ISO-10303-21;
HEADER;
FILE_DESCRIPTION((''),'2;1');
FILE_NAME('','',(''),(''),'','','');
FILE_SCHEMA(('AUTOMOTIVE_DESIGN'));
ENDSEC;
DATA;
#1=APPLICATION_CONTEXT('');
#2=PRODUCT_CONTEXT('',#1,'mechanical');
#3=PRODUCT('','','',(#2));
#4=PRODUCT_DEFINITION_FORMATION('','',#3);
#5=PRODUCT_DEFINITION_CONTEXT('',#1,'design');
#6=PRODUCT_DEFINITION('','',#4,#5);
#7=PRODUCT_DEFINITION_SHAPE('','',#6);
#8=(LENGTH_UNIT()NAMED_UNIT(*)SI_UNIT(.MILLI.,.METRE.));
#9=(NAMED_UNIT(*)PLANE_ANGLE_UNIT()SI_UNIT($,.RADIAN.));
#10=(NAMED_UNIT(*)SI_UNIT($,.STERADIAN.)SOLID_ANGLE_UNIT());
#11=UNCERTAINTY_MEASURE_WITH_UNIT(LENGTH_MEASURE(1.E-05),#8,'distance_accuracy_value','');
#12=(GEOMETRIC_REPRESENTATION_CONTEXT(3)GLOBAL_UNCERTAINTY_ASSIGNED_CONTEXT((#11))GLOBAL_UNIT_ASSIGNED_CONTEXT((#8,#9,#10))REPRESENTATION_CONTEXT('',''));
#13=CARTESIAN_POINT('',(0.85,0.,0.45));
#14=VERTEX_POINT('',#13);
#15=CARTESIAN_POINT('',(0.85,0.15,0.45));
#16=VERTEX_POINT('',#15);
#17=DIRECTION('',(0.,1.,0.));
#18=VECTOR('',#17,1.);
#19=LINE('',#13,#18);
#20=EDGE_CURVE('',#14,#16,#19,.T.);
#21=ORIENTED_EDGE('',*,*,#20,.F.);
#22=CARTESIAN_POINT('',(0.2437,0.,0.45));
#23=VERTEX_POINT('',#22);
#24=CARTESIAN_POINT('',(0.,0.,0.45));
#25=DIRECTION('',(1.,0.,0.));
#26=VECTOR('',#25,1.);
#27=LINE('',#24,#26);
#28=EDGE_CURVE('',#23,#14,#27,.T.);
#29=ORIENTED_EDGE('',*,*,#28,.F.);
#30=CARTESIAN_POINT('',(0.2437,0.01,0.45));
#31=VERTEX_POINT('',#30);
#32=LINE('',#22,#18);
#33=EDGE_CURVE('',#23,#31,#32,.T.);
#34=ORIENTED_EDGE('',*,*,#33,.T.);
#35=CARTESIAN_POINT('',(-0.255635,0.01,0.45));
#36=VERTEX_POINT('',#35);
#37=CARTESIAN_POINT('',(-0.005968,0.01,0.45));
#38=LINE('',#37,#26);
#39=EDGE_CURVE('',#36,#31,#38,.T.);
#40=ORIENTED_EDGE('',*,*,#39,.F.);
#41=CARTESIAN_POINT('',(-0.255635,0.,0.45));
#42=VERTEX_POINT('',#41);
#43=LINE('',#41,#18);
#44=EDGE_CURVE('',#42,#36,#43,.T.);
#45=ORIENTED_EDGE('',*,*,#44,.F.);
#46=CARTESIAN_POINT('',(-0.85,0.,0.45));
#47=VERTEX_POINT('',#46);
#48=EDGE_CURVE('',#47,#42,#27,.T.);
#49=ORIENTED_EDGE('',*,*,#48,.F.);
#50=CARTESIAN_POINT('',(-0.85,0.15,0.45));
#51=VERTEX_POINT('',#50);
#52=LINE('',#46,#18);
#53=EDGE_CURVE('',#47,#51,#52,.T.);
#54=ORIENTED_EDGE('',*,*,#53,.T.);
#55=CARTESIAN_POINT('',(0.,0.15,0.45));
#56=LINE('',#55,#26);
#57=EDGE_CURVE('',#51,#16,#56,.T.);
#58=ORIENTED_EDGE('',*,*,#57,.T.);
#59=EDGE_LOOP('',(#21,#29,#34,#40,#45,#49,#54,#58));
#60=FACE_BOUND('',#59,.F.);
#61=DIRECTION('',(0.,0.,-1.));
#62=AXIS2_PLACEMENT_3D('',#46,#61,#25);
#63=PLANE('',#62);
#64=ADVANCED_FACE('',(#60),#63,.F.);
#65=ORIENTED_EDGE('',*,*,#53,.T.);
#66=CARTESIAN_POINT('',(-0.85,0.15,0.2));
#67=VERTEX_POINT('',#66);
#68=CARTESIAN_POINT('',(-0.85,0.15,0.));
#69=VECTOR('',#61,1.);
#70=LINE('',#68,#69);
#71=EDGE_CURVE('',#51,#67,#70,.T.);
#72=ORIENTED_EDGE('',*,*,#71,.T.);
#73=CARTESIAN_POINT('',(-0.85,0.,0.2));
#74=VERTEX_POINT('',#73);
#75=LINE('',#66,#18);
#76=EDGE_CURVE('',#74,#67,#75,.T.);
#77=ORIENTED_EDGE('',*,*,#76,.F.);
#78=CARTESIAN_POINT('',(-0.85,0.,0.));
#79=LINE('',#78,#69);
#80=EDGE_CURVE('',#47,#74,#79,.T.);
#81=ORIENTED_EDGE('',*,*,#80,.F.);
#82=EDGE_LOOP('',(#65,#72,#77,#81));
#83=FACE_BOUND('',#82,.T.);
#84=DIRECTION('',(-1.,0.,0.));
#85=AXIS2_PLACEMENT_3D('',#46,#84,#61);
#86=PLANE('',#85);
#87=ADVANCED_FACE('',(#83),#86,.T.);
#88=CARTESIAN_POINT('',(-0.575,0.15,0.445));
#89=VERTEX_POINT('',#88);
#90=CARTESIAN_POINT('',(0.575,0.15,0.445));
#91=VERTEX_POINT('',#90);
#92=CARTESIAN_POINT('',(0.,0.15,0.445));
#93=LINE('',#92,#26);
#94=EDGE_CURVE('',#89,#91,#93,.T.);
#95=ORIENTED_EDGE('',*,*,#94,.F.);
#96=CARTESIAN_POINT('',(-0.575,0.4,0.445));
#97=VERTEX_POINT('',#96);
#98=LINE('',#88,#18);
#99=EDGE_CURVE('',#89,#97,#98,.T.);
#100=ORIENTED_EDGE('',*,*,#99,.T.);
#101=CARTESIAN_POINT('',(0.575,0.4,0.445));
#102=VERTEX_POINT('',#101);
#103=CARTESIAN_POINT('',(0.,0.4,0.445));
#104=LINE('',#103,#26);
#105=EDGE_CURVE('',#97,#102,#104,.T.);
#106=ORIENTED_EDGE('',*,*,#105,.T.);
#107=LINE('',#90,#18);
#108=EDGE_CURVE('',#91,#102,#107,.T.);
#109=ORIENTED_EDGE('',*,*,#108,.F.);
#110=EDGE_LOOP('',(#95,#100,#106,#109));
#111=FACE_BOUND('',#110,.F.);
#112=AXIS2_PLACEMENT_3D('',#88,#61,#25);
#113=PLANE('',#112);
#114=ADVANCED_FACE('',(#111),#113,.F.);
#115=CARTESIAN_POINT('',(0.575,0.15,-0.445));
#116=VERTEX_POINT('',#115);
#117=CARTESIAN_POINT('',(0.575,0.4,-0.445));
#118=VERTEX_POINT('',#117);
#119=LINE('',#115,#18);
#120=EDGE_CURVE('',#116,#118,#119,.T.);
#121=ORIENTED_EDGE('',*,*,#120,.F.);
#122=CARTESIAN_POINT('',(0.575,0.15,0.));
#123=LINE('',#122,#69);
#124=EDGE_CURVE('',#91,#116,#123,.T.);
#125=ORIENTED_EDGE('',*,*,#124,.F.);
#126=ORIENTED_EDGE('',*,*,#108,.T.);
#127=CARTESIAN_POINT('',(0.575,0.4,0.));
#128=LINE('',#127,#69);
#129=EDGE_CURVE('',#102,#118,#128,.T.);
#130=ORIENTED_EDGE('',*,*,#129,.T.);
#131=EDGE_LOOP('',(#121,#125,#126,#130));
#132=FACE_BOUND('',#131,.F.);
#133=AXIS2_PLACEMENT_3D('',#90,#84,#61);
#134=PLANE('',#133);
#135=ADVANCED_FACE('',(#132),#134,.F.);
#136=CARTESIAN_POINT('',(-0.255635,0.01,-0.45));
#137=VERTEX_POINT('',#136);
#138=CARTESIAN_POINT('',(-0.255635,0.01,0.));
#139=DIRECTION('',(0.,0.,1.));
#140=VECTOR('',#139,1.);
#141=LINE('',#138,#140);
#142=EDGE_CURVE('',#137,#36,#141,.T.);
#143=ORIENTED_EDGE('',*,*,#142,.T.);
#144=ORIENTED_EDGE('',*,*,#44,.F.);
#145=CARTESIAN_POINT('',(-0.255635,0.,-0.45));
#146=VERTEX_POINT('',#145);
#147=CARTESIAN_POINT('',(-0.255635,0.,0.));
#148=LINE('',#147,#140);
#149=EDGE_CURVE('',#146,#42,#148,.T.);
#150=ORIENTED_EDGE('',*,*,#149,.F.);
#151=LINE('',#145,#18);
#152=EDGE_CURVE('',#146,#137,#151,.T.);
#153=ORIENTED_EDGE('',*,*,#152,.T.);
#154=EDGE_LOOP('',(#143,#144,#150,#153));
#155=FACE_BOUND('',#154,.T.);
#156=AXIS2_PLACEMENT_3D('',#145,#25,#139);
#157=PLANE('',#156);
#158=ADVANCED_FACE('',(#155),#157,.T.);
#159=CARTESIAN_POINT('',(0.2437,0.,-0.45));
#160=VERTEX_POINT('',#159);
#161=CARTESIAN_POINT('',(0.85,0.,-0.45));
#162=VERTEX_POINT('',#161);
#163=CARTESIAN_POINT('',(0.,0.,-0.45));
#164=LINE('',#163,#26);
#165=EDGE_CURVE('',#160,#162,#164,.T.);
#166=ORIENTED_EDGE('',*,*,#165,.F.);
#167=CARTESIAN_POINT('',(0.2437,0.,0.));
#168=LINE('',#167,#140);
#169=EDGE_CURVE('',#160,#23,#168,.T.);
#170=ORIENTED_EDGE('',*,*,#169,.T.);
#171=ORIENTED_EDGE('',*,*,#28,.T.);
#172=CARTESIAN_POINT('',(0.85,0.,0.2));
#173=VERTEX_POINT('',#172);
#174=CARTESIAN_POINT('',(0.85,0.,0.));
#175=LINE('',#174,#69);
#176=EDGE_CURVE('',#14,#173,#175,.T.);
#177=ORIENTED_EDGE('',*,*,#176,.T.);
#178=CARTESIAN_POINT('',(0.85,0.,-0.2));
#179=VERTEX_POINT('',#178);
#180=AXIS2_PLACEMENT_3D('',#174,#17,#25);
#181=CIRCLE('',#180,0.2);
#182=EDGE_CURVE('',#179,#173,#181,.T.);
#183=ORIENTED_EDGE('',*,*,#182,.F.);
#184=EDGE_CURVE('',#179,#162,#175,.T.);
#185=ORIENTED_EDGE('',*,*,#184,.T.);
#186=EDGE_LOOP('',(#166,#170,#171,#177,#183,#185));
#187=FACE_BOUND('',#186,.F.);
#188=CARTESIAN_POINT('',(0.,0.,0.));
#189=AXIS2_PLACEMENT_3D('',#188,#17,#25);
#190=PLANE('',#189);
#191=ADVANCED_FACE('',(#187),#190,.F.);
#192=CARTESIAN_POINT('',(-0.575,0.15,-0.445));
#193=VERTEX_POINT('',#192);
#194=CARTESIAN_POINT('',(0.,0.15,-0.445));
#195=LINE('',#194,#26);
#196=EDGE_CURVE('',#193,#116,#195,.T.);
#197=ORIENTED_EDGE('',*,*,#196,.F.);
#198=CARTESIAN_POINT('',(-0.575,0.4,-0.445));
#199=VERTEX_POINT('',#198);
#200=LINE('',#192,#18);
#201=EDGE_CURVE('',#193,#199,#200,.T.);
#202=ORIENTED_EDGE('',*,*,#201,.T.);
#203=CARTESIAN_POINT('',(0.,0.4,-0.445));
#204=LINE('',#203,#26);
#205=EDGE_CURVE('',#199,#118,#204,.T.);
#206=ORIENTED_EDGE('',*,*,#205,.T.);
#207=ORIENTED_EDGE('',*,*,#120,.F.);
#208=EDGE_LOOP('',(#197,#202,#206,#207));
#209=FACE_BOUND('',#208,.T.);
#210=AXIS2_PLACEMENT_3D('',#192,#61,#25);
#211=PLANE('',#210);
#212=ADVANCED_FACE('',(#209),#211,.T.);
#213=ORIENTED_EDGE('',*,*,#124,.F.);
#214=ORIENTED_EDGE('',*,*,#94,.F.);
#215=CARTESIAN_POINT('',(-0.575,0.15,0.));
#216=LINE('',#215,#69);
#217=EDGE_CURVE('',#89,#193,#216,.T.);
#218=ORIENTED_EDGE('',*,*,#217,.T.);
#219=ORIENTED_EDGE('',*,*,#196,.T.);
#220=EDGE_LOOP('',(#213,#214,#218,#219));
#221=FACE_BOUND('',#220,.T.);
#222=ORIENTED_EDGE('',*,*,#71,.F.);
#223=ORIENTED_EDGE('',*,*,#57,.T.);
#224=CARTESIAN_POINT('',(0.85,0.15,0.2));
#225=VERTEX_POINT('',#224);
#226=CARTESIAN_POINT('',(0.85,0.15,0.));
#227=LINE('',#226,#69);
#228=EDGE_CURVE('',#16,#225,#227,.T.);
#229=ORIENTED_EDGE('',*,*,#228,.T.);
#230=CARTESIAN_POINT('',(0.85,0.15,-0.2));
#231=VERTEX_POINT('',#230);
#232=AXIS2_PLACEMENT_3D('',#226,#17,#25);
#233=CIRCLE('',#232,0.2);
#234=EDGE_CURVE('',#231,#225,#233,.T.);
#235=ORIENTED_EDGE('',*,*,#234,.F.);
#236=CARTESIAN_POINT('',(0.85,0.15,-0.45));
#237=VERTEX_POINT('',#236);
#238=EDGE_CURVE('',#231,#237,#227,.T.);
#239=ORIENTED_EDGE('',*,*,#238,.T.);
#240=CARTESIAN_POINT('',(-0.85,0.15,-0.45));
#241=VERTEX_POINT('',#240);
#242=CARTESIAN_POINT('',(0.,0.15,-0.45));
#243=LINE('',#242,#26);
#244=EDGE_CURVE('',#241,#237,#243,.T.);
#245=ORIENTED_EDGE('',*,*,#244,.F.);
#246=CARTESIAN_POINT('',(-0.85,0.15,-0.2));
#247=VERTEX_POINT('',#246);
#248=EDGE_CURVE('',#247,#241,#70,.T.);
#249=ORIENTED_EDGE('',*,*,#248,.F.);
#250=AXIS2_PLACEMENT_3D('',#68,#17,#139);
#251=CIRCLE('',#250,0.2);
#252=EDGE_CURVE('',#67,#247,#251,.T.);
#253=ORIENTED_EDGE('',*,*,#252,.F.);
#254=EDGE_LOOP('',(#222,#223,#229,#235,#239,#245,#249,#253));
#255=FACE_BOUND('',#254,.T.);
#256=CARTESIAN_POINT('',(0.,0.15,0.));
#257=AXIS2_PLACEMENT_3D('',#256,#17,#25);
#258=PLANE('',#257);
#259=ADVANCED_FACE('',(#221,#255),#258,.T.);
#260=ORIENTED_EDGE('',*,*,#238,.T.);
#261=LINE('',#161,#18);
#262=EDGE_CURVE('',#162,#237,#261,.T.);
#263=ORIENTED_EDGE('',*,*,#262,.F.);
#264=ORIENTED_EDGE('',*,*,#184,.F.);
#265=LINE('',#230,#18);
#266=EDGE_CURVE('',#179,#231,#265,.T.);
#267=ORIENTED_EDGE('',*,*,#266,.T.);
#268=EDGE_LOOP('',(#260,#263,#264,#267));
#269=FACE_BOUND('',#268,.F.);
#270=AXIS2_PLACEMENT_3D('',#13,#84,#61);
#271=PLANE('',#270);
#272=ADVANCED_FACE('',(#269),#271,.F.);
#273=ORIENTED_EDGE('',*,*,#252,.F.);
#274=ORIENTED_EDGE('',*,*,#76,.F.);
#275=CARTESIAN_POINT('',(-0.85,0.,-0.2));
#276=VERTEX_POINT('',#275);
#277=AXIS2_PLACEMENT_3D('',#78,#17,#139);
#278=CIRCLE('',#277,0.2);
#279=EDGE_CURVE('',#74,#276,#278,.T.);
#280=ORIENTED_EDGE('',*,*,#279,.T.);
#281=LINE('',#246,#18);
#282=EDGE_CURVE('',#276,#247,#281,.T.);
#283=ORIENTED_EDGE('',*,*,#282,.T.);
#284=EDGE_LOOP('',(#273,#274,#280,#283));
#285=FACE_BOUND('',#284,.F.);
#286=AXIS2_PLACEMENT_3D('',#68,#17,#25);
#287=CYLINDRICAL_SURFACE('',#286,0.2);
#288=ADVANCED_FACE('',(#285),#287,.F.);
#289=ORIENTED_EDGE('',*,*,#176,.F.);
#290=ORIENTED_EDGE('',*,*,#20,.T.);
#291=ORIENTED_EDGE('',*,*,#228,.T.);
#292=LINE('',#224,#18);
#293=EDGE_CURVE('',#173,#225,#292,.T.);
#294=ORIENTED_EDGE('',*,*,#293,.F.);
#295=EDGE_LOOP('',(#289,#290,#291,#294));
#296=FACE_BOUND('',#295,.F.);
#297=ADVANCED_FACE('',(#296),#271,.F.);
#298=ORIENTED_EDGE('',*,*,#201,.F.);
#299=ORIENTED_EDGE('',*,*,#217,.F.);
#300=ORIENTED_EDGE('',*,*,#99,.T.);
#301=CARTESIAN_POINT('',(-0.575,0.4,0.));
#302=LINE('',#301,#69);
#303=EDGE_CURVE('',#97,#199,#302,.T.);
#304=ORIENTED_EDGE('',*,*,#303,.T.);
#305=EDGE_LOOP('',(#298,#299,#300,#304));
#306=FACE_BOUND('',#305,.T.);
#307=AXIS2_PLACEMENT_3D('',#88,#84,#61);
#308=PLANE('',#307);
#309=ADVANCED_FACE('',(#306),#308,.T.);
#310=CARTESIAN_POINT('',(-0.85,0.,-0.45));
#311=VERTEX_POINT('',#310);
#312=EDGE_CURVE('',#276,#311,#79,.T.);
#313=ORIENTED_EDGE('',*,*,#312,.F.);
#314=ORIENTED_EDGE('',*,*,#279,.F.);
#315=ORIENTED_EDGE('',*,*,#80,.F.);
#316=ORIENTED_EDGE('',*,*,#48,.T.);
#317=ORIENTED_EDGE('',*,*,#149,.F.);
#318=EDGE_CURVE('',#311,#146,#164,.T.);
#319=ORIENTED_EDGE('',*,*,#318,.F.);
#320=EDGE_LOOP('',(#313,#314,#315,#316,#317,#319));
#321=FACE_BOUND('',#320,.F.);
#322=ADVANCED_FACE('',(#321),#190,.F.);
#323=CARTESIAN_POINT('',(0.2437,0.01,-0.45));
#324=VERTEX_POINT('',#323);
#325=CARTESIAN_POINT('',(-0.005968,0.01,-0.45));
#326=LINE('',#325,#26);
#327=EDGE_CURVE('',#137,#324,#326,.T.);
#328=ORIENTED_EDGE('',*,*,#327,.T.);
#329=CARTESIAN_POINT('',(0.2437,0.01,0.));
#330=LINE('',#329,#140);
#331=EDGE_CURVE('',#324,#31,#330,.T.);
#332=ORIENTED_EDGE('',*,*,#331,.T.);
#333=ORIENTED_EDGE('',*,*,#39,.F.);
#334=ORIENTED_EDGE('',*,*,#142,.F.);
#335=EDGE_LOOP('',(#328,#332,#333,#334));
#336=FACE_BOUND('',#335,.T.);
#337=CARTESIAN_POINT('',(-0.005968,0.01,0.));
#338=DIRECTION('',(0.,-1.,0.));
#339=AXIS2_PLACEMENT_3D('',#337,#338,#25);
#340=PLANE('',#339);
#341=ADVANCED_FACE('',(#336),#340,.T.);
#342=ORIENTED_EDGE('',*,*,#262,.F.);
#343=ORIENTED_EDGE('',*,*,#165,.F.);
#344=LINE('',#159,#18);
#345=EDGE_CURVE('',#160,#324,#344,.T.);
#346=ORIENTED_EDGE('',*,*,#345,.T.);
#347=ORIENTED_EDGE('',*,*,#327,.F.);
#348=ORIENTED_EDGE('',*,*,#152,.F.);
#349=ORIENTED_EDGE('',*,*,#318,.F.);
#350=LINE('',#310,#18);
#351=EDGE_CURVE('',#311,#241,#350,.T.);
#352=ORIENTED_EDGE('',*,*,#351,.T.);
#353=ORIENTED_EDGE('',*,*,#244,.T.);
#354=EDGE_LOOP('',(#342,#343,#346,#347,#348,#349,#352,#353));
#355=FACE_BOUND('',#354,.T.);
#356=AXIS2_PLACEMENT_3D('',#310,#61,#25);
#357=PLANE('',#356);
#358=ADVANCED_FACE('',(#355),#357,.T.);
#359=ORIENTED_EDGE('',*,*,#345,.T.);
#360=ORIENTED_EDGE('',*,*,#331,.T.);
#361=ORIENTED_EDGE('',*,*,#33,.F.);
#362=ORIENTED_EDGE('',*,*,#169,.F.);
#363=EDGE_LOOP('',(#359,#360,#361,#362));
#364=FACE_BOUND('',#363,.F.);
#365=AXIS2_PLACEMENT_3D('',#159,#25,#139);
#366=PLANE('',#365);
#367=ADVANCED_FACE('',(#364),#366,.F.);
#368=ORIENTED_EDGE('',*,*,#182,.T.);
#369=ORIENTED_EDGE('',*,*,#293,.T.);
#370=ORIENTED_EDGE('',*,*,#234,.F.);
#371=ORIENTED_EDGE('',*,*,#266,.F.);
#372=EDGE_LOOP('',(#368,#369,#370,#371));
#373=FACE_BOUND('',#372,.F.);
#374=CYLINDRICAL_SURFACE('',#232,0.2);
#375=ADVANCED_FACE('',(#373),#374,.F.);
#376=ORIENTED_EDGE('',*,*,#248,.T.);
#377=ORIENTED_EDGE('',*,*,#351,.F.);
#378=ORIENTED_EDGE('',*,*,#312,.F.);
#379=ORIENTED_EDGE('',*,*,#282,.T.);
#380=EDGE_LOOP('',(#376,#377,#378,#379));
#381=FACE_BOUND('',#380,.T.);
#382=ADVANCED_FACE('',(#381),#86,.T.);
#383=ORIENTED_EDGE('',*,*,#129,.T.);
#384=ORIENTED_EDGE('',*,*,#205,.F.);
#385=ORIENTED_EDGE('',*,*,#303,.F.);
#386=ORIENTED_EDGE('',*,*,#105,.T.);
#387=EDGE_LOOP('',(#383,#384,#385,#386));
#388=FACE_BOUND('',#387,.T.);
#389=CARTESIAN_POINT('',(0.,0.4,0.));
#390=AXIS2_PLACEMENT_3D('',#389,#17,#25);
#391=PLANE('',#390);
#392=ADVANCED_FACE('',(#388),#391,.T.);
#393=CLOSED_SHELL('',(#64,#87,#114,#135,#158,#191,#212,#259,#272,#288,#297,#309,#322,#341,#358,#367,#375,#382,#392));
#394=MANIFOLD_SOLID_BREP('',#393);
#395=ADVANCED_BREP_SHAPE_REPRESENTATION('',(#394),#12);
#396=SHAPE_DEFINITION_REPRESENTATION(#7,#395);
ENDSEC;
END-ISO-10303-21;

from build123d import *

# Parameters (mm, degrees)
SKETCH1_W           = 1.7
SKETCH1_H           = 0.9
BOSS_EXTRUDE1_DEPTH = 0.15
SKETCH2_R           = 0.2
CUT_EXTRUDE1_DEPTH  = 1.15
SKETCH3_W           = 1.15
SKETCH3_H           = 0.89
BOSS_EXTRUDE3_DEPTH = 0.25
SKETCH4_W           = 0.499334855
SKETCH4_H           = 0.9
CUT_EXTRUDE2_DEPTH  = 0.01


with BuildPart() as part:
    # Sketch1 → Boss-Extrude1 (new body)
    with BuildSketch(Plane(origin=(0, 0, 0), x_dir=(1, 0, 0), z_dir=(0, 1, 0))):
        Rectangle(SKETCH1_W, SKETCH1_H)
    extrude(amount=BOSS_EXTRUDE1_DEPTH)

    # Sketch2 → Cut-Extrude1 (cut, through all)
    with BuildSketch(Plane(origin=(0, 0.15, 0), x_dir=(1, 0, 0), z_dir=(0, 1, 0))):
        with Locations((-0.85, 0)):
            Circle(SKETCH2_R)
        with Locations((0.85, 0)):
            Circle(SKETCH2_R)
    extrude(amount=-CUT_EXTRUDE1_DEPTH, mode=Mode.SUBTRACT)

    # Sketch3 → Boss-Extrude3 (add)
    with BuildSketch(Plane(origin=(0, 0.15, 0), x_dir=(1, 0, 0), z_dir=(0, 1, 0))):
        Rectangle(SKETCH3_W, SKETCH3_H)
    extrude(amount=BOSS_EXTRUDE3_DEPTH)

    # Sketch4 → Cut-Extrude2 (cut)
    with BuildSketch(Plane.XZ):
        with Locations((-0.00596787, 0)):
            Rectangle(SKETCH4_W, SKETCH4_H)
    extrude(amount=-CUT_EXTRUDE2_DEPTH, mode=Mode.SUBTRACT)


solid = part.part
